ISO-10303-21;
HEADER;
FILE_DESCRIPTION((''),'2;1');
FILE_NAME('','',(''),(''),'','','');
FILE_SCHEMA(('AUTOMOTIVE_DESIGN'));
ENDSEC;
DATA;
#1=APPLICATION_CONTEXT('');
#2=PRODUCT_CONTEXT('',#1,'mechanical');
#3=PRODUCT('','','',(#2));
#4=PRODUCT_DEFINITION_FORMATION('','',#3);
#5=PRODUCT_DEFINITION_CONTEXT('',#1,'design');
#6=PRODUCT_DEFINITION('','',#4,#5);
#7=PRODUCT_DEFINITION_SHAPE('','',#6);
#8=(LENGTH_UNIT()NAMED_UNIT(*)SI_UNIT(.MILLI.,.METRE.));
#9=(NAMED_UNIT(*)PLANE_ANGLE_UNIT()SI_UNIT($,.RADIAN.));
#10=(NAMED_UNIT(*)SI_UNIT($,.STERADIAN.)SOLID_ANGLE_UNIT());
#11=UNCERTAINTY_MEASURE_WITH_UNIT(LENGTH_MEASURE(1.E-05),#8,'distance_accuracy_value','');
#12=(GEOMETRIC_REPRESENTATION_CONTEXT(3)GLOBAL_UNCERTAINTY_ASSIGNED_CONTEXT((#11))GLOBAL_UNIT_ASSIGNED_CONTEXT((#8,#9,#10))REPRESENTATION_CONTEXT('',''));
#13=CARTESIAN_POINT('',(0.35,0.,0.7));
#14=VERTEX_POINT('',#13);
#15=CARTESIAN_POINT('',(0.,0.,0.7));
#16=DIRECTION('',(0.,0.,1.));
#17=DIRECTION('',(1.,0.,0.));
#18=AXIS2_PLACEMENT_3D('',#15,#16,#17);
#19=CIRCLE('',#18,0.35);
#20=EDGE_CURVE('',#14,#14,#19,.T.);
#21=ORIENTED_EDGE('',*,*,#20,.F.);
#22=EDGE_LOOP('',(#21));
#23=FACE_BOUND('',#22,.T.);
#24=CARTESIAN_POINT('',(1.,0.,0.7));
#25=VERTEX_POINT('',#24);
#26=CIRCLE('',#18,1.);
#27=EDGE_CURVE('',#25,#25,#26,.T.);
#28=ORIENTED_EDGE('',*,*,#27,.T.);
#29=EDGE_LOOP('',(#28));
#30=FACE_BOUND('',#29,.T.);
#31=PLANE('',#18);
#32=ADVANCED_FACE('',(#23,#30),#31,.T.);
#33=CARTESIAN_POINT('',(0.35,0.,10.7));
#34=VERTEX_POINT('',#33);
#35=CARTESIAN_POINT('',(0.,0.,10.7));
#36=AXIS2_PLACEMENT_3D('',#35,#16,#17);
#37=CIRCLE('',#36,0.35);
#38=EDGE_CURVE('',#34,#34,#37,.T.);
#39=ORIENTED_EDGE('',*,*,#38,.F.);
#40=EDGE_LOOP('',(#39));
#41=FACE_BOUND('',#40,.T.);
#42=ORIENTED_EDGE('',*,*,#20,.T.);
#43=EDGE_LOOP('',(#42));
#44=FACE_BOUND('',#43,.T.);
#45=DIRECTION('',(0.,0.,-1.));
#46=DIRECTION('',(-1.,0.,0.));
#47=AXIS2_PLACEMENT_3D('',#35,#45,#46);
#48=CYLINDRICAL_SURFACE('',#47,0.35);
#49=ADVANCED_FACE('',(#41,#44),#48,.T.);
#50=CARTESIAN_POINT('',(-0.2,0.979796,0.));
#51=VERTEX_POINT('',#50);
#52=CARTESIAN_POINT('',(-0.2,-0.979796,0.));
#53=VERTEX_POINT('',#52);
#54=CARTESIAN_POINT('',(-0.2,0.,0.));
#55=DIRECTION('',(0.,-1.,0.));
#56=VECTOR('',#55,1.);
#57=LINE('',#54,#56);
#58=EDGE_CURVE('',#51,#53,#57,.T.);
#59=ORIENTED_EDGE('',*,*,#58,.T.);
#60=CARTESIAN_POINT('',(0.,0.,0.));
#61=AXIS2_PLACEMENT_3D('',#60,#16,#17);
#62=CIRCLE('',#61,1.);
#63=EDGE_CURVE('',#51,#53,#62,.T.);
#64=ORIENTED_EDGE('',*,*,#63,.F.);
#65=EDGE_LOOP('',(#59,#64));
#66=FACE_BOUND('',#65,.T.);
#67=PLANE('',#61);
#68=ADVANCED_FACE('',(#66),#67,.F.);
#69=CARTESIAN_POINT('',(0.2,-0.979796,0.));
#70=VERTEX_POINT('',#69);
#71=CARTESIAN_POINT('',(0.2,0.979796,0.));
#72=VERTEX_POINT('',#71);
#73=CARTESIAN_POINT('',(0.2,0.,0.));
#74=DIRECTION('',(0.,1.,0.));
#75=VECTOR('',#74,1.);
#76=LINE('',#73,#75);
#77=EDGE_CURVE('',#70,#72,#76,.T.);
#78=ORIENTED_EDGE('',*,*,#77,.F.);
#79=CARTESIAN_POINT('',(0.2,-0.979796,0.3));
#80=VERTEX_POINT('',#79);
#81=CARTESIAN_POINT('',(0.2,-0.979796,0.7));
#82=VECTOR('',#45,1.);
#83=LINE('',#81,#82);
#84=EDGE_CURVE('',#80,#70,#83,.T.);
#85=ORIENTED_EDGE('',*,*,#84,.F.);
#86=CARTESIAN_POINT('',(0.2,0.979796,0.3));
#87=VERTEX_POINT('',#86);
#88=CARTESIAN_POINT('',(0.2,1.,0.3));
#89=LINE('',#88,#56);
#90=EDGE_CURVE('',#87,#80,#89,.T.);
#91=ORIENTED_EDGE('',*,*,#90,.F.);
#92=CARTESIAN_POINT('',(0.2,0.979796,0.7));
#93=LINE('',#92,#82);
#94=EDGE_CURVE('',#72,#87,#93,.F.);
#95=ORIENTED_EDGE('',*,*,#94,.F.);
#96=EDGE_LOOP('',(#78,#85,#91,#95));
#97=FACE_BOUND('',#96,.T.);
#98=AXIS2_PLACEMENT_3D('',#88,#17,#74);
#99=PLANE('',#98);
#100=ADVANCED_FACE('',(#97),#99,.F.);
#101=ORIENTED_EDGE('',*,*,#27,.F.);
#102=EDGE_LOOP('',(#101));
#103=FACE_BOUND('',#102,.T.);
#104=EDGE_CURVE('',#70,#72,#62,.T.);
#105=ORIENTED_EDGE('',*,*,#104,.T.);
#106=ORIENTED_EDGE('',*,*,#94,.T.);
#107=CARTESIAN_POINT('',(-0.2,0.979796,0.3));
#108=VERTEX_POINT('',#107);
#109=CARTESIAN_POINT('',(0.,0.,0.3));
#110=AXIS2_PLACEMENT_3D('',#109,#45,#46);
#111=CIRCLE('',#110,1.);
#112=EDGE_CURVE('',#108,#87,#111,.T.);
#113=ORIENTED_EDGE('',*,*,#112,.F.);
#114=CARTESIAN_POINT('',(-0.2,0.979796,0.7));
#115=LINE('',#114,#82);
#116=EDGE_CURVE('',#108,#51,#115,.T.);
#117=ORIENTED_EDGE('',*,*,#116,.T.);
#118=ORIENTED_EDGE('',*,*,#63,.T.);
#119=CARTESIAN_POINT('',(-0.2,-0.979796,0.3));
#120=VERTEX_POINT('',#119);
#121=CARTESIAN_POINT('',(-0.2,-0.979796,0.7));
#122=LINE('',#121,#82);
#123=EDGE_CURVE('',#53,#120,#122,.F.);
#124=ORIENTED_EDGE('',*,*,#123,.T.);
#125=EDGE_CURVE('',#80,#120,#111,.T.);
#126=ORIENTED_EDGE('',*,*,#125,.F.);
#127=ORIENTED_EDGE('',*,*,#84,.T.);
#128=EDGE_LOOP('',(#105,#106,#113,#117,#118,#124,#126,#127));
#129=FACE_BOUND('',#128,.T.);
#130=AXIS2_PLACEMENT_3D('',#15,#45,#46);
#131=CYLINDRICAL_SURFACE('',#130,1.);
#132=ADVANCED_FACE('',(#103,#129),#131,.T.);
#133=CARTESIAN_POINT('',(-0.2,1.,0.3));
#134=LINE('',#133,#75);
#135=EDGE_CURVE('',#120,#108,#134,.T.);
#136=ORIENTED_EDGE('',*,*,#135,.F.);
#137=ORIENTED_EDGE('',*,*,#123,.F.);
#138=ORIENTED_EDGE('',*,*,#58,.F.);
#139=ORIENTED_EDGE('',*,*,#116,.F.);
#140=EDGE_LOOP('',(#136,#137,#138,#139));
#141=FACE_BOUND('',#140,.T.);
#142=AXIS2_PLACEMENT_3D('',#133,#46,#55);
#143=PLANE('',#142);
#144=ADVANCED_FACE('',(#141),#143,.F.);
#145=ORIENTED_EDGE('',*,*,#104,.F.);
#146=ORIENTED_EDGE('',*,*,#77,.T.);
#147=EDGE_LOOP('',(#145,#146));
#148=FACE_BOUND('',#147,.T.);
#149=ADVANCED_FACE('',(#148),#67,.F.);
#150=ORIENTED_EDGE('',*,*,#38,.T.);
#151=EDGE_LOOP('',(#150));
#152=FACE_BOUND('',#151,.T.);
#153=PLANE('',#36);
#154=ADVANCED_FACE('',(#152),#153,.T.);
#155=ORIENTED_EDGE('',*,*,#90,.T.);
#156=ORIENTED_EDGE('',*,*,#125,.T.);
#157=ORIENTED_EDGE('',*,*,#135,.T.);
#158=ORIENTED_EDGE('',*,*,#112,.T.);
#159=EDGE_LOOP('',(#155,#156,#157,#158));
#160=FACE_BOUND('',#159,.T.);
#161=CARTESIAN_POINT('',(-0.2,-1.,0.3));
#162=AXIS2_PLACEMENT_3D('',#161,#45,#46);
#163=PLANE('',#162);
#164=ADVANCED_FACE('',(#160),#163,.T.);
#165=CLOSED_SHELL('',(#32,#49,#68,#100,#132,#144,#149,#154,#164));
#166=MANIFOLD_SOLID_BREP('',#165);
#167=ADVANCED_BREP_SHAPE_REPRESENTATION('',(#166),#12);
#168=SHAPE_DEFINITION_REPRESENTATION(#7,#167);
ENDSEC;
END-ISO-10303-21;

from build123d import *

# Parameters (mm, degrees)
SKETCH1_R           = 1
BOSS_EXTRUDE1_DEPTH = 0.7
SKETCH3_R           = 0.35
BOSS_EXTRUDE2_DEPTH = 10
SKETCH5_W           = 0.4
SKETCH5_H           = 2
CUT_EXTRUDE1_DEPTH  = 0.3


with BuildPart() as part:
    # Sketch1 → Boss-Extrude1 (new body)
    with BuildSketch(Plane.XY):
        Circle(SKETCH1_R)
    extrude(amount=BOSS_EXTRUDE1_DEPTH)

    # Sketch3 → Boss-Extrude2 (add)
    with BuildSketch(Plane.XY.offset(0.7)):
        Circle(SKETCH3_R)
    extrude(amount=BOSS_EXTRUDE2_DEPTH)

    # Sketch5 → Cut-Extrude1 (cut)
    with BuildSketch(Plane(origin=(0, 0, 0), x_dir=(-1, 0, 0), z_dir=(0, 0, -1))):
        Rectangle(SKETCH5_W, SKETCH5_H)
    extrude(amount=-CUT_EXTRUDE1_DEPTH, mode=Mode.SUBTRACT)


solid = part.part
